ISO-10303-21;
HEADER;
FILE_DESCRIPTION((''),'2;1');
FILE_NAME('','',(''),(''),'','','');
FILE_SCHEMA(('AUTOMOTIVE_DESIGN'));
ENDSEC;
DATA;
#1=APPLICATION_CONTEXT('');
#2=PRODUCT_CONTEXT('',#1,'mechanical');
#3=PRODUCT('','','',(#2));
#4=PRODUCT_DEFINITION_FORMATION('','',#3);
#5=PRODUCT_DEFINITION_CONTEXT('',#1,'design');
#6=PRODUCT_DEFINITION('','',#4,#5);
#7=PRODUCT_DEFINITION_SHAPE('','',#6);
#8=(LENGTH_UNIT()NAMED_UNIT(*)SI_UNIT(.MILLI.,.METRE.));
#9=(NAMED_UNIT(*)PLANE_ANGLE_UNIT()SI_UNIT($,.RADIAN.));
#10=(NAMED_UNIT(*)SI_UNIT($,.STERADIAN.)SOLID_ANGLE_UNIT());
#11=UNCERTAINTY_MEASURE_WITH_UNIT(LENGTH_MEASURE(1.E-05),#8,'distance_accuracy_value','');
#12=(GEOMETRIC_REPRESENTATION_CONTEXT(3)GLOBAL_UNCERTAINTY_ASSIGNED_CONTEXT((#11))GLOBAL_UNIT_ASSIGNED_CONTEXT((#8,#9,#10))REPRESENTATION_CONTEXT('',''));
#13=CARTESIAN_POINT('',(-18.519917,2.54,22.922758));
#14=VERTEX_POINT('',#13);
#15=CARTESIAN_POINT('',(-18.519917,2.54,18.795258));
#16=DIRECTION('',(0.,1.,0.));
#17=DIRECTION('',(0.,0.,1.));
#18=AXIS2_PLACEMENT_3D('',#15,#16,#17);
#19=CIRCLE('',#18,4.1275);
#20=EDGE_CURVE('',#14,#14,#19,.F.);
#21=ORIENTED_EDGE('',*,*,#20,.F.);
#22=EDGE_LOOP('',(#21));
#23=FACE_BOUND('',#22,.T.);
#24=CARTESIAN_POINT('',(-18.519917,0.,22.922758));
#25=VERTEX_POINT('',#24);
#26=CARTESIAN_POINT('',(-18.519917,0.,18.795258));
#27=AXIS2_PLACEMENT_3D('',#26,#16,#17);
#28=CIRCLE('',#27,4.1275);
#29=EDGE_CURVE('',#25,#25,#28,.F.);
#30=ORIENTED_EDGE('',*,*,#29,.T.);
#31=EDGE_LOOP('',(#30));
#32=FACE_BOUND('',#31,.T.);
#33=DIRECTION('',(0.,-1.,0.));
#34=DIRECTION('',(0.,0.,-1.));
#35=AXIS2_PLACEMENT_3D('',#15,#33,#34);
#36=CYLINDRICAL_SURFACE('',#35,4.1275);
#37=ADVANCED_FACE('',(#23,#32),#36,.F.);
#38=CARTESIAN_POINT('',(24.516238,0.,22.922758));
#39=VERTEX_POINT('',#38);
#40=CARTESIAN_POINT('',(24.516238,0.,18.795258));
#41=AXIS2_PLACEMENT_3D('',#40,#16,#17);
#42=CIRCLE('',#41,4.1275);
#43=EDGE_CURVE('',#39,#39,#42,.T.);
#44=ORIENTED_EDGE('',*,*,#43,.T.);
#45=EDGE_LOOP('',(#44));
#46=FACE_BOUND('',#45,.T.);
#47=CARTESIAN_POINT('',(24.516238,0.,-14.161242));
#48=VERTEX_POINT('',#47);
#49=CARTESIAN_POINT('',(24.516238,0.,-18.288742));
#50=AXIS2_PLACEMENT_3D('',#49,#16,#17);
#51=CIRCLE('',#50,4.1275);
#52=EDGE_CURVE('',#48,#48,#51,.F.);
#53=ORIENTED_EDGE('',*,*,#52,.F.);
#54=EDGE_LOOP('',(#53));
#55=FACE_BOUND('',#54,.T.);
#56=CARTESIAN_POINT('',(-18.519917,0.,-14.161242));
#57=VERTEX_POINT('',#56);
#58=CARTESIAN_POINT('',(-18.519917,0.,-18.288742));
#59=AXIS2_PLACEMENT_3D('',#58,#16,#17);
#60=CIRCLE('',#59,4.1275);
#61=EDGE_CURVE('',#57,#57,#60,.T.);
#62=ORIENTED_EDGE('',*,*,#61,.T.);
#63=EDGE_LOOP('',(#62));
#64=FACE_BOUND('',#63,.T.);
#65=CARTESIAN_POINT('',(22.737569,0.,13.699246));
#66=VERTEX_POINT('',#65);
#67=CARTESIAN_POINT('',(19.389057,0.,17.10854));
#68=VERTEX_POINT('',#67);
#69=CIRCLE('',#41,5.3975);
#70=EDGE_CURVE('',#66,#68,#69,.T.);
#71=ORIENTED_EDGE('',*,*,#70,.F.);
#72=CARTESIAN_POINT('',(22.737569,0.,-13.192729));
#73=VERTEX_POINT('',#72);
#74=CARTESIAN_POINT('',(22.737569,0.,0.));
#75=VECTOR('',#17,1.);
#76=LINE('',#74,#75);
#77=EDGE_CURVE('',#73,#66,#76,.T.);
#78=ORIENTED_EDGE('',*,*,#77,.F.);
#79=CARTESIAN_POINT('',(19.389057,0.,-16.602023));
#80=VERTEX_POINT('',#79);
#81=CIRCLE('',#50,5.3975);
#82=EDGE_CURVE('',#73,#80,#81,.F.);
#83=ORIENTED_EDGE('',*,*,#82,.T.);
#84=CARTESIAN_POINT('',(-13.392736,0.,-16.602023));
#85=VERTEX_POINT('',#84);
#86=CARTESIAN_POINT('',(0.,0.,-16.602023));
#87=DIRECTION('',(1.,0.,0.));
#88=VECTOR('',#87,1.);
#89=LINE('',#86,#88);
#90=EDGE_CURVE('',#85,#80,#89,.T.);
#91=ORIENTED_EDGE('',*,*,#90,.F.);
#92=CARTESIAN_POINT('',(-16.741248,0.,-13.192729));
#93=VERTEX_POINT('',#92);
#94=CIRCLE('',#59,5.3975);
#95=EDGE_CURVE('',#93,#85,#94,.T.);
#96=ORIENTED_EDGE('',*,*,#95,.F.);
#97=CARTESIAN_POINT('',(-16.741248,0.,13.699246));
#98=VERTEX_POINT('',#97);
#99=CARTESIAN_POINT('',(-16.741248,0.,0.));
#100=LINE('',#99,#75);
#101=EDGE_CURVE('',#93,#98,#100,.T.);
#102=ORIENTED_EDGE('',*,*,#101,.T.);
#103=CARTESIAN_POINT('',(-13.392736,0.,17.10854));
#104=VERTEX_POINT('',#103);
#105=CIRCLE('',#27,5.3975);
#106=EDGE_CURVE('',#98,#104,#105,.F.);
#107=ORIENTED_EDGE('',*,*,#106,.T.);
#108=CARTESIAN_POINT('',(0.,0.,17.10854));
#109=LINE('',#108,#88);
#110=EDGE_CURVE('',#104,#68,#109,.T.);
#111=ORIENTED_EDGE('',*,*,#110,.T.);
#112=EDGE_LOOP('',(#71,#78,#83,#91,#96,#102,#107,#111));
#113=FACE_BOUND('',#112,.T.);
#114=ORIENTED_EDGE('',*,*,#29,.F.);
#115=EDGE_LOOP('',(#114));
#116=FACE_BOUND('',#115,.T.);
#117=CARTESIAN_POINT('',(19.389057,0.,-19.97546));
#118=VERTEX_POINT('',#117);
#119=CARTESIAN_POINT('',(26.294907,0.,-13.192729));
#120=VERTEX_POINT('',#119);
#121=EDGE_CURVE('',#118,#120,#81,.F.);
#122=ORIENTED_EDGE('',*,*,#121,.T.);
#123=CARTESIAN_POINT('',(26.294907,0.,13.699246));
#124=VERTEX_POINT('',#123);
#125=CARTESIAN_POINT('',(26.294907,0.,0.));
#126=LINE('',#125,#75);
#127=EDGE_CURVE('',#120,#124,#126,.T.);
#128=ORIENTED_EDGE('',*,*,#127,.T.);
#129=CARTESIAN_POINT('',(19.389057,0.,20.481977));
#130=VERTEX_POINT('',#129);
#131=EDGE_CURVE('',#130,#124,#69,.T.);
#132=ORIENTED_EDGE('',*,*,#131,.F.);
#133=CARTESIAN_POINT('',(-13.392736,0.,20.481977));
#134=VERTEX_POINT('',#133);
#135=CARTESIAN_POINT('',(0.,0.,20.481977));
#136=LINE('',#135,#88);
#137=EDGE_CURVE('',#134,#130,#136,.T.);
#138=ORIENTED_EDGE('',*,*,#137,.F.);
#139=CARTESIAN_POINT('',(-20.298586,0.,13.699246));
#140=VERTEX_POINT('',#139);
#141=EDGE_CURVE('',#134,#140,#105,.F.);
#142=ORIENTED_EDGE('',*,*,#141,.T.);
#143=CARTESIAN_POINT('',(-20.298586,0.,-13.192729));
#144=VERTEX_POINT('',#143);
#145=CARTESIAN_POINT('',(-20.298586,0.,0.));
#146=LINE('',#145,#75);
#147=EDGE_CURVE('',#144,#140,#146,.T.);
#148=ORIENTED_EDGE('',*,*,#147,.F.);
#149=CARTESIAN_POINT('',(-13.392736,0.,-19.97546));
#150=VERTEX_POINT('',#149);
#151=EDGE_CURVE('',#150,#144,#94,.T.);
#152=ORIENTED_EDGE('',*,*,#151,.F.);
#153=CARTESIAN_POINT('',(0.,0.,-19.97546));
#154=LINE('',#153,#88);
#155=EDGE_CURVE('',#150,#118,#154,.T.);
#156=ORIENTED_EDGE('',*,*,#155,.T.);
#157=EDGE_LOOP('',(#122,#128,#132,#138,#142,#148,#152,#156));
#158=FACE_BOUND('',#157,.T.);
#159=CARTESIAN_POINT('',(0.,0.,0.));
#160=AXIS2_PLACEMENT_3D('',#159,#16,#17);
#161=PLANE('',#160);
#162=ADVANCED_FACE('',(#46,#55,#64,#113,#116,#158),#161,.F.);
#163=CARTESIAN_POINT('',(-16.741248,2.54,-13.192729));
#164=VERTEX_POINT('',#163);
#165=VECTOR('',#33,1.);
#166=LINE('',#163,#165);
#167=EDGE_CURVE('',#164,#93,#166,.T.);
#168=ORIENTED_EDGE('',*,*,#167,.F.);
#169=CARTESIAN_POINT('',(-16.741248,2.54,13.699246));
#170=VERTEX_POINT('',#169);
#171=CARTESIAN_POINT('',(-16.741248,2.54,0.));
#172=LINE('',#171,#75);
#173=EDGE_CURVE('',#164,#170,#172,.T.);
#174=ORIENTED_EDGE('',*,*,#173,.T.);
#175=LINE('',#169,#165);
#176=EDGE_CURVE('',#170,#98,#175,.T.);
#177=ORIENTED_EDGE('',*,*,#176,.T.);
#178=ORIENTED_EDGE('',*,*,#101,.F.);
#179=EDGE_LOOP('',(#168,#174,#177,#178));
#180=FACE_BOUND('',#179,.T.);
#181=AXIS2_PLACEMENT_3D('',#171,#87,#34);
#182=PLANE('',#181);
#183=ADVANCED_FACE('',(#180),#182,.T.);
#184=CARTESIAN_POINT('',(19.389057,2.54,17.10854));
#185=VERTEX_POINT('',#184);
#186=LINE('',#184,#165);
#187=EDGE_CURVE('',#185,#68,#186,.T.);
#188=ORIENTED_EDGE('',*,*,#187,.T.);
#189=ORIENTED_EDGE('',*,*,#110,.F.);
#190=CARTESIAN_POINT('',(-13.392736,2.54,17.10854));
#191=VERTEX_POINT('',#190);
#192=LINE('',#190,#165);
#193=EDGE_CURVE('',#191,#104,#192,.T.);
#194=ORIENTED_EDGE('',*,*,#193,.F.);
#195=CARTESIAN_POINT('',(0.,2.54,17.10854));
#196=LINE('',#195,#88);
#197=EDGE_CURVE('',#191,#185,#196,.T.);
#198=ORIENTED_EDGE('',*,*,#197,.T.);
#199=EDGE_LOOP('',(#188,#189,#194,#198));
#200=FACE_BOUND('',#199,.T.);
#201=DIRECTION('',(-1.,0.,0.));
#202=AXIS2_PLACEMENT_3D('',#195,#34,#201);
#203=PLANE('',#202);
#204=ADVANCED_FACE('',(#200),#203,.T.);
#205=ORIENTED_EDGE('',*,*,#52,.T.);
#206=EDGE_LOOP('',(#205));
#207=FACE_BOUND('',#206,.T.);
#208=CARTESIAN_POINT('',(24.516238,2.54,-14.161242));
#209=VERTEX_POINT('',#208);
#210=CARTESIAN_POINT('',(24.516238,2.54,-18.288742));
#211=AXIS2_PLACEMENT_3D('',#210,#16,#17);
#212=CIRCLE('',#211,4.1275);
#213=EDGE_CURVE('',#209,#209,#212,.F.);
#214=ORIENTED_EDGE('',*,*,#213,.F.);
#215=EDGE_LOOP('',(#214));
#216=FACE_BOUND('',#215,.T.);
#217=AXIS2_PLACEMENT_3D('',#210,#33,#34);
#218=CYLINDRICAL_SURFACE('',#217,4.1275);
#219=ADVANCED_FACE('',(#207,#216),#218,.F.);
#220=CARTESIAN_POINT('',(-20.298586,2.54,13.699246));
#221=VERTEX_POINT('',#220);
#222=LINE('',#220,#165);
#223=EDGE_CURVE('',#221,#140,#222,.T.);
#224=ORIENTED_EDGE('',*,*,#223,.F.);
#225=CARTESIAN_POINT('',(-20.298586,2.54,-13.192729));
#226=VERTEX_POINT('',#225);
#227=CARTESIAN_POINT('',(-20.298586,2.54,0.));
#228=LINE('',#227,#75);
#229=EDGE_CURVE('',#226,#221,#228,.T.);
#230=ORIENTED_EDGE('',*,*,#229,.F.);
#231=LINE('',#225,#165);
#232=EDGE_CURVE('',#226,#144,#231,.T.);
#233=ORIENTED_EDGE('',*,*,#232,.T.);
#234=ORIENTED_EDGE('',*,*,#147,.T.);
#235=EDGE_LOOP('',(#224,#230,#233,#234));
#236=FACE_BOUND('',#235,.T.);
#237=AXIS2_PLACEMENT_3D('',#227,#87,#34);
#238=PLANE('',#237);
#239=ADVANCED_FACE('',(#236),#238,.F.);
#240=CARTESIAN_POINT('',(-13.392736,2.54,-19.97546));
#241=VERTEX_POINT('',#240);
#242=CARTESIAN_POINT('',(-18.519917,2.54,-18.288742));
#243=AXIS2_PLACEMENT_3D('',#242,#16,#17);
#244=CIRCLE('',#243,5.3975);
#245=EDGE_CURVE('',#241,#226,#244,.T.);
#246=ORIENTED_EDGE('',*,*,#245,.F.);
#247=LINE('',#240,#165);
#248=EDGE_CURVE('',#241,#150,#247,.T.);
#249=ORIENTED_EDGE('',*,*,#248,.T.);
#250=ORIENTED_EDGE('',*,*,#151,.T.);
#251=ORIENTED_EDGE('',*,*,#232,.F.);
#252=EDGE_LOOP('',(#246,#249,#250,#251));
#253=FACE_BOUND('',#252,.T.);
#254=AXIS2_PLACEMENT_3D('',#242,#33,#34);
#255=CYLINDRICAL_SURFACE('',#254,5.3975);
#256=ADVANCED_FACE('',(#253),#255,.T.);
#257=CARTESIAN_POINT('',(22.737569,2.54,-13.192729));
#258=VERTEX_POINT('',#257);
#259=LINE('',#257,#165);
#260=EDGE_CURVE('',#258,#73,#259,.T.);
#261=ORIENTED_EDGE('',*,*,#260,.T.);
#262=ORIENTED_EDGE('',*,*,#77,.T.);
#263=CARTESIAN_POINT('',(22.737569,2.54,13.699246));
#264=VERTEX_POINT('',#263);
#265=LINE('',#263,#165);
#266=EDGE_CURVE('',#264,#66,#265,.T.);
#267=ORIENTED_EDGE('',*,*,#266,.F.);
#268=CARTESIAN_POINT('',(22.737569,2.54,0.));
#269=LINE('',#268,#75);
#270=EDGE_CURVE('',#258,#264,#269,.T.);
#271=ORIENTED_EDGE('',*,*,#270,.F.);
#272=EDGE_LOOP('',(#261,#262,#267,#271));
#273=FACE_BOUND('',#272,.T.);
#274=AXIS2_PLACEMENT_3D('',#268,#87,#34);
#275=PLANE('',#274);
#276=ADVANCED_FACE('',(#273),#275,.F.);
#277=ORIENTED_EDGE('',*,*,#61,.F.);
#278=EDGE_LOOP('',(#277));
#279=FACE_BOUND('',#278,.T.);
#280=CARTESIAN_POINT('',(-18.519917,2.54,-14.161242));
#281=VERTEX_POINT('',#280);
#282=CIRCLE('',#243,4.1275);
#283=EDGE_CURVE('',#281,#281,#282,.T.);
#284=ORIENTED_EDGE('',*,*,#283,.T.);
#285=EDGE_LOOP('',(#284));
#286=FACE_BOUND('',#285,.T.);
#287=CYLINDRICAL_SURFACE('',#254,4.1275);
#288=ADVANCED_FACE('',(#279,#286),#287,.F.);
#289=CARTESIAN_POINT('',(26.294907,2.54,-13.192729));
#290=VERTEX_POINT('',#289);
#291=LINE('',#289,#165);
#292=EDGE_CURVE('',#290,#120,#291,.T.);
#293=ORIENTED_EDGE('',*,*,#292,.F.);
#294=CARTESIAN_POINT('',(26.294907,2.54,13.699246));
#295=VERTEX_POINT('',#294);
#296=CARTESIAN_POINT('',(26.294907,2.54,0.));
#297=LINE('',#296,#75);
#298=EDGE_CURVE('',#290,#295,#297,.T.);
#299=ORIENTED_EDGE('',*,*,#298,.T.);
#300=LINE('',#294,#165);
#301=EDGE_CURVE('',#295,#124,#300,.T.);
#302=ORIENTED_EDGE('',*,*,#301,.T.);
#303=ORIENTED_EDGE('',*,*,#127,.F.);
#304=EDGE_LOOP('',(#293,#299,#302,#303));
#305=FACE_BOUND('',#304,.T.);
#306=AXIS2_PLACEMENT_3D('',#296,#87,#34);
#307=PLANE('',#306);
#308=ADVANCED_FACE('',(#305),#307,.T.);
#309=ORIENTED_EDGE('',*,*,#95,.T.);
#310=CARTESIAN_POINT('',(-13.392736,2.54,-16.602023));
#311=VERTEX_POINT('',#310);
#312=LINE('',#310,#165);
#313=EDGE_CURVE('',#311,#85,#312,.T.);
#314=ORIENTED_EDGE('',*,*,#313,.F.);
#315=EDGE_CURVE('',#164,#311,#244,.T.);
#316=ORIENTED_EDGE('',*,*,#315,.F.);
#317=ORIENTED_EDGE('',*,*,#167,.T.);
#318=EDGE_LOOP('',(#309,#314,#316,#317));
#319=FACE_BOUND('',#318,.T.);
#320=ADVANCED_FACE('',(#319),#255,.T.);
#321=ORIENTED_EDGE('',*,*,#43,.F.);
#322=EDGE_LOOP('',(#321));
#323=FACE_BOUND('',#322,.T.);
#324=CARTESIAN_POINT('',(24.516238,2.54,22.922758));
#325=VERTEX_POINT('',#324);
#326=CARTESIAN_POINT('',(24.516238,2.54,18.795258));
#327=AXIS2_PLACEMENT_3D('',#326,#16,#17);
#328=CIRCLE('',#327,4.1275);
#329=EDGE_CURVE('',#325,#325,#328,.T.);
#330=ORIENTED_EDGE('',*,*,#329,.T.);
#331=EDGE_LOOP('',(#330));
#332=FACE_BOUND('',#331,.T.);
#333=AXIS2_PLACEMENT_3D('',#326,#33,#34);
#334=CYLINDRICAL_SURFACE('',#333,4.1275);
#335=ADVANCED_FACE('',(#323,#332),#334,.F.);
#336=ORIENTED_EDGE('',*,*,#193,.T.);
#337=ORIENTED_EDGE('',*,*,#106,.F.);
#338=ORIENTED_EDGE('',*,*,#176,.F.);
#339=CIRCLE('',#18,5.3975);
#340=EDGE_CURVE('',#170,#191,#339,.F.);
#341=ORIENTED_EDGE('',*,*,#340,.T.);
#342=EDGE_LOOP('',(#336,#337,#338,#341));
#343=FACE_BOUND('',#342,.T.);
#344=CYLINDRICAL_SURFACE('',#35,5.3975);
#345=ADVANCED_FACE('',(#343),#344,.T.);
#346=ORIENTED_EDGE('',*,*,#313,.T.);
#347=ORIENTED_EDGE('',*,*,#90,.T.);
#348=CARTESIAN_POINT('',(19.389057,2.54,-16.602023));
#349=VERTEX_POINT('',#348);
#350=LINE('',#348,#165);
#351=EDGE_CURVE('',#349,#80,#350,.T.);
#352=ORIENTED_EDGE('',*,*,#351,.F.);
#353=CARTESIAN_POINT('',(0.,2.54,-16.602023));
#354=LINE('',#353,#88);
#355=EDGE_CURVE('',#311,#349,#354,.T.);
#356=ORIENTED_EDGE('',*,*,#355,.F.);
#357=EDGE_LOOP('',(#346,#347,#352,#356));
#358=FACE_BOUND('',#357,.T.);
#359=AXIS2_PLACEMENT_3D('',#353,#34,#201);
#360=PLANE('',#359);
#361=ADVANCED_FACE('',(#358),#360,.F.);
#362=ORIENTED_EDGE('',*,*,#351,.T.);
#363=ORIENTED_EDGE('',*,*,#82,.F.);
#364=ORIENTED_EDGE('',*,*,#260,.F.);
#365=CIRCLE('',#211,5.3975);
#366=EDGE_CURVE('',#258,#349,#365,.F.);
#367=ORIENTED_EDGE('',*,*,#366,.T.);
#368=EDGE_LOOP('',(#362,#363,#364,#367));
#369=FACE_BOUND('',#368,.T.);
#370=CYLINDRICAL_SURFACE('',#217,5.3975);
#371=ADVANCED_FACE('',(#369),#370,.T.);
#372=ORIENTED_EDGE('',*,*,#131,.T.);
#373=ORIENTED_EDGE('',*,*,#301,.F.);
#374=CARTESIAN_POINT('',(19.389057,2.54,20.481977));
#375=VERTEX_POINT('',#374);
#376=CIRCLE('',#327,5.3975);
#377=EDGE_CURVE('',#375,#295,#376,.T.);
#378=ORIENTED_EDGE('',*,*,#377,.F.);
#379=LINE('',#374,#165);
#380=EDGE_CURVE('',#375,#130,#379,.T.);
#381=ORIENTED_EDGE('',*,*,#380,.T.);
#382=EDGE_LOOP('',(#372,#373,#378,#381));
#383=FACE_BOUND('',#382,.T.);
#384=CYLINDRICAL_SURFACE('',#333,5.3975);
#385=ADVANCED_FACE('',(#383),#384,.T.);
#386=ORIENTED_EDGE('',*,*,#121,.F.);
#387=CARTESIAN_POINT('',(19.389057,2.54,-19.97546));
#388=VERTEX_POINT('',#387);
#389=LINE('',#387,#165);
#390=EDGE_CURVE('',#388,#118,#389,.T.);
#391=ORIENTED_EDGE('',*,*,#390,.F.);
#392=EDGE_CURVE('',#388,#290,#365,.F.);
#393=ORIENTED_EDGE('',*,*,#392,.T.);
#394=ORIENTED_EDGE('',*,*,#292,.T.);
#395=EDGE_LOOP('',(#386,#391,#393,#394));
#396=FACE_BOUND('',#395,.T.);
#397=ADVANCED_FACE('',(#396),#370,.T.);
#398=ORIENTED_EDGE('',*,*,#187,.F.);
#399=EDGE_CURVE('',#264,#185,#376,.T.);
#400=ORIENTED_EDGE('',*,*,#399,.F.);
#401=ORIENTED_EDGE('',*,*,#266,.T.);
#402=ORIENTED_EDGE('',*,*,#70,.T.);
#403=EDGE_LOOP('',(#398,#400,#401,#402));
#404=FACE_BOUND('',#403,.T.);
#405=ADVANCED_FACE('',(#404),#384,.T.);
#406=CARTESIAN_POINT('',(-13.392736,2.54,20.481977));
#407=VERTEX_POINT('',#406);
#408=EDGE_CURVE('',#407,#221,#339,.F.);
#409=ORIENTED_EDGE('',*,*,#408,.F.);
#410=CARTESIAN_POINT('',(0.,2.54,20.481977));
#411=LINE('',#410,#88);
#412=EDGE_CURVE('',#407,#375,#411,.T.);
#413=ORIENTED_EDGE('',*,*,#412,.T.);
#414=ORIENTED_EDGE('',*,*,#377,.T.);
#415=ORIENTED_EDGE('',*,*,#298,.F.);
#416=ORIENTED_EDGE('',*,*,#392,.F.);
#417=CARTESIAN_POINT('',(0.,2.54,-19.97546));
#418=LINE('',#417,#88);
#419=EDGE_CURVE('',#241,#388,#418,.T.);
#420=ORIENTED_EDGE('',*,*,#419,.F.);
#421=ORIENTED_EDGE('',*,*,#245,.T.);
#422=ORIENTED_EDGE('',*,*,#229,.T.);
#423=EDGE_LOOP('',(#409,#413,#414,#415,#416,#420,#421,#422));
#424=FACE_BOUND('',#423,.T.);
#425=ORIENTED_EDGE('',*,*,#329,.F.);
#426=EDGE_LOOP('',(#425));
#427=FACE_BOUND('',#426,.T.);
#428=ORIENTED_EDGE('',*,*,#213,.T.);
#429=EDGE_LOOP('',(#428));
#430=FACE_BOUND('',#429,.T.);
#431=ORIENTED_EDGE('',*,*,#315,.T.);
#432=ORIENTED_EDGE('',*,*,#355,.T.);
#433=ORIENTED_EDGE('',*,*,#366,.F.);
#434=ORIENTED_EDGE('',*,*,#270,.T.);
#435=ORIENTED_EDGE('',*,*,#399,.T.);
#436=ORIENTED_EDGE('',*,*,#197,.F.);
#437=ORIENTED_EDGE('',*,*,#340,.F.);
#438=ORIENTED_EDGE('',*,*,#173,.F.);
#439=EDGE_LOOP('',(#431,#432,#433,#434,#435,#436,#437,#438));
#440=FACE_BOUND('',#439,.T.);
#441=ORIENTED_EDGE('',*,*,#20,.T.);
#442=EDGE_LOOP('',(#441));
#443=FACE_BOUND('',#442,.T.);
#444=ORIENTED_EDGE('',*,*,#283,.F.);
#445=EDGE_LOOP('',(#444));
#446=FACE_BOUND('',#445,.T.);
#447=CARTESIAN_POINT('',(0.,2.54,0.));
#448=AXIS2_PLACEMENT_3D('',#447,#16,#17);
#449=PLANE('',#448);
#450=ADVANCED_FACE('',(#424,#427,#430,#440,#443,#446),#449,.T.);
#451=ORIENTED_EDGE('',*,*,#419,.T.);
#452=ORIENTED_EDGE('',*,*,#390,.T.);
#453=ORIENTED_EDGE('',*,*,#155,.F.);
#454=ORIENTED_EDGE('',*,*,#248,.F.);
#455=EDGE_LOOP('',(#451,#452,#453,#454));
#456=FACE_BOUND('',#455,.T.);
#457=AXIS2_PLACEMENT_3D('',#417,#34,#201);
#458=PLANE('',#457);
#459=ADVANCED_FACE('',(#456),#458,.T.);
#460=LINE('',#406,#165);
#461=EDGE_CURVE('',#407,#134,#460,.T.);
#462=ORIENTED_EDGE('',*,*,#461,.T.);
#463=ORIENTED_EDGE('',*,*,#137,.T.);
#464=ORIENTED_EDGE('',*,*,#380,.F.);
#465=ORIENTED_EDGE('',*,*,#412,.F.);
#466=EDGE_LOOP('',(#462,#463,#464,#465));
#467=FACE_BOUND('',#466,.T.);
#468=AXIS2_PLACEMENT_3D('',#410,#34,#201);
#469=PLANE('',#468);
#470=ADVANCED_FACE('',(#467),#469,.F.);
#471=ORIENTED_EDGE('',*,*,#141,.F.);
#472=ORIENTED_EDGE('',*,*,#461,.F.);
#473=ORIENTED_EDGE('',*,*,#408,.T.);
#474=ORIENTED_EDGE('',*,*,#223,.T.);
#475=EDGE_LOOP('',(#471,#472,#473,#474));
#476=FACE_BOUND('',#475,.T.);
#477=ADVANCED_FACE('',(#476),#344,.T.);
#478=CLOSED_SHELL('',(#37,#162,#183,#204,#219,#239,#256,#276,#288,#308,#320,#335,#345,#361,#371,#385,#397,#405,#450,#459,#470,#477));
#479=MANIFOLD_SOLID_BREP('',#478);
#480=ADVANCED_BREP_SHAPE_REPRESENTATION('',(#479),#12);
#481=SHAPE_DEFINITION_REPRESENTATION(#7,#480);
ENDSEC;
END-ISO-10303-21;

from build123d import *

# Parameters (mm, degrees)
SKETCH1_R           = 4.1275
BOSS_EXTRUDE1_DEPTH = 2.54


with BuildPart() as part:
    # Sketch1 → Boss-Extrude1 (new body)
    with BuildSketch(Plane(origin=(0, 0, 0), x_dir=(1, 0, 0), z_dir=(0, 1, 0))):
        with BuildLine():
            Line((-20.298585882, 13.192729242), (-20.298585882, -13.699245883))
            ThreePointArc((-20.298585882, -13.699245883), (-22.302045084, -22.646039068), (-13.392735754, -20.481977071))
            Line((-13.392735754, -20.481977071), (19.389056751, -20.481977071))
            ThreePointArc((19.389056751, -20.481977071), (28.298366081, -22.646039068), (26.29490688, -13.699245883))
            Line((26.29490688, -13.699245883), (26.29490688, 13.192729242))
            ThreePointArc((26.29490688, 13.192729242), (28.298366081, 22.139522426), (19.389056751, 19.975460429))
            Line((19.389056751, 19.975460429), (-13.392735754, 19.975460429))
            ThreePointArc((-13.392735754, 19.975460429), (-22.302045084, 22.139522426), (-20.298585882, 13.192729242))
        make_face()
        with Locations(Location((24.516237859, 18.288741679, 0), (0, 0, 270))):
            Circle(SKETCH1_R, mode=Mode.SUBTRACT)
        with Locations(Location((-18.519916861, -18.795258321, 0), (0, 0, 270))):
            Circle(SKETCH1_R, mode=Mode.SUBTRACT)
        with Locations(Location((-18.519916861, 18.288741679, 0), (0, 0, 270))):
            Circle(SKETCH1_R, mode=Mode.SUBTRACT)
        with Locations(Location((24.516237859, -18.795258321, 0), (0, 0, 270))):
            Circle(SKETCH1_R, mode=Mode.SUBTRACT)
        with BuildLine():
            Line((-16.74124784, 13.192729242), (-16.74124784, -13.699245883))
            ThreePointArc((-16.74124784, -13.699245883), (-14.669136115, -15.013130099), (-13.392735754, -17.108539571))
            Line((-13.392735754, -17.108539571), (19.389056751, -17.108539571))
            ThreePointArc((19.389056751, -17.108539571), (20.665457112, -15.013130099), (22.737568838, -13.699245883))
            Line((22.737568838, -13.699245883), (22.737568838, 13.192729242))
            ThreePointArc((22.737568838, 13.192729242), (20.665457112, 14.506613457), (19.389056751, 16.602022929))
            Line((19.389056751, 16.602022929), (-13.392735754, 16.602022929))
            ThreePointArc((-13.392735754, 16.602022929), (-14.669136115, 14.506613457), (-16.74124784, 13.192729242))
        make_face(mode=Mode.SUBTRACT)
    extrude(amount=BOSS_EXTRUDE1_DEPTH)


solid = part.part
